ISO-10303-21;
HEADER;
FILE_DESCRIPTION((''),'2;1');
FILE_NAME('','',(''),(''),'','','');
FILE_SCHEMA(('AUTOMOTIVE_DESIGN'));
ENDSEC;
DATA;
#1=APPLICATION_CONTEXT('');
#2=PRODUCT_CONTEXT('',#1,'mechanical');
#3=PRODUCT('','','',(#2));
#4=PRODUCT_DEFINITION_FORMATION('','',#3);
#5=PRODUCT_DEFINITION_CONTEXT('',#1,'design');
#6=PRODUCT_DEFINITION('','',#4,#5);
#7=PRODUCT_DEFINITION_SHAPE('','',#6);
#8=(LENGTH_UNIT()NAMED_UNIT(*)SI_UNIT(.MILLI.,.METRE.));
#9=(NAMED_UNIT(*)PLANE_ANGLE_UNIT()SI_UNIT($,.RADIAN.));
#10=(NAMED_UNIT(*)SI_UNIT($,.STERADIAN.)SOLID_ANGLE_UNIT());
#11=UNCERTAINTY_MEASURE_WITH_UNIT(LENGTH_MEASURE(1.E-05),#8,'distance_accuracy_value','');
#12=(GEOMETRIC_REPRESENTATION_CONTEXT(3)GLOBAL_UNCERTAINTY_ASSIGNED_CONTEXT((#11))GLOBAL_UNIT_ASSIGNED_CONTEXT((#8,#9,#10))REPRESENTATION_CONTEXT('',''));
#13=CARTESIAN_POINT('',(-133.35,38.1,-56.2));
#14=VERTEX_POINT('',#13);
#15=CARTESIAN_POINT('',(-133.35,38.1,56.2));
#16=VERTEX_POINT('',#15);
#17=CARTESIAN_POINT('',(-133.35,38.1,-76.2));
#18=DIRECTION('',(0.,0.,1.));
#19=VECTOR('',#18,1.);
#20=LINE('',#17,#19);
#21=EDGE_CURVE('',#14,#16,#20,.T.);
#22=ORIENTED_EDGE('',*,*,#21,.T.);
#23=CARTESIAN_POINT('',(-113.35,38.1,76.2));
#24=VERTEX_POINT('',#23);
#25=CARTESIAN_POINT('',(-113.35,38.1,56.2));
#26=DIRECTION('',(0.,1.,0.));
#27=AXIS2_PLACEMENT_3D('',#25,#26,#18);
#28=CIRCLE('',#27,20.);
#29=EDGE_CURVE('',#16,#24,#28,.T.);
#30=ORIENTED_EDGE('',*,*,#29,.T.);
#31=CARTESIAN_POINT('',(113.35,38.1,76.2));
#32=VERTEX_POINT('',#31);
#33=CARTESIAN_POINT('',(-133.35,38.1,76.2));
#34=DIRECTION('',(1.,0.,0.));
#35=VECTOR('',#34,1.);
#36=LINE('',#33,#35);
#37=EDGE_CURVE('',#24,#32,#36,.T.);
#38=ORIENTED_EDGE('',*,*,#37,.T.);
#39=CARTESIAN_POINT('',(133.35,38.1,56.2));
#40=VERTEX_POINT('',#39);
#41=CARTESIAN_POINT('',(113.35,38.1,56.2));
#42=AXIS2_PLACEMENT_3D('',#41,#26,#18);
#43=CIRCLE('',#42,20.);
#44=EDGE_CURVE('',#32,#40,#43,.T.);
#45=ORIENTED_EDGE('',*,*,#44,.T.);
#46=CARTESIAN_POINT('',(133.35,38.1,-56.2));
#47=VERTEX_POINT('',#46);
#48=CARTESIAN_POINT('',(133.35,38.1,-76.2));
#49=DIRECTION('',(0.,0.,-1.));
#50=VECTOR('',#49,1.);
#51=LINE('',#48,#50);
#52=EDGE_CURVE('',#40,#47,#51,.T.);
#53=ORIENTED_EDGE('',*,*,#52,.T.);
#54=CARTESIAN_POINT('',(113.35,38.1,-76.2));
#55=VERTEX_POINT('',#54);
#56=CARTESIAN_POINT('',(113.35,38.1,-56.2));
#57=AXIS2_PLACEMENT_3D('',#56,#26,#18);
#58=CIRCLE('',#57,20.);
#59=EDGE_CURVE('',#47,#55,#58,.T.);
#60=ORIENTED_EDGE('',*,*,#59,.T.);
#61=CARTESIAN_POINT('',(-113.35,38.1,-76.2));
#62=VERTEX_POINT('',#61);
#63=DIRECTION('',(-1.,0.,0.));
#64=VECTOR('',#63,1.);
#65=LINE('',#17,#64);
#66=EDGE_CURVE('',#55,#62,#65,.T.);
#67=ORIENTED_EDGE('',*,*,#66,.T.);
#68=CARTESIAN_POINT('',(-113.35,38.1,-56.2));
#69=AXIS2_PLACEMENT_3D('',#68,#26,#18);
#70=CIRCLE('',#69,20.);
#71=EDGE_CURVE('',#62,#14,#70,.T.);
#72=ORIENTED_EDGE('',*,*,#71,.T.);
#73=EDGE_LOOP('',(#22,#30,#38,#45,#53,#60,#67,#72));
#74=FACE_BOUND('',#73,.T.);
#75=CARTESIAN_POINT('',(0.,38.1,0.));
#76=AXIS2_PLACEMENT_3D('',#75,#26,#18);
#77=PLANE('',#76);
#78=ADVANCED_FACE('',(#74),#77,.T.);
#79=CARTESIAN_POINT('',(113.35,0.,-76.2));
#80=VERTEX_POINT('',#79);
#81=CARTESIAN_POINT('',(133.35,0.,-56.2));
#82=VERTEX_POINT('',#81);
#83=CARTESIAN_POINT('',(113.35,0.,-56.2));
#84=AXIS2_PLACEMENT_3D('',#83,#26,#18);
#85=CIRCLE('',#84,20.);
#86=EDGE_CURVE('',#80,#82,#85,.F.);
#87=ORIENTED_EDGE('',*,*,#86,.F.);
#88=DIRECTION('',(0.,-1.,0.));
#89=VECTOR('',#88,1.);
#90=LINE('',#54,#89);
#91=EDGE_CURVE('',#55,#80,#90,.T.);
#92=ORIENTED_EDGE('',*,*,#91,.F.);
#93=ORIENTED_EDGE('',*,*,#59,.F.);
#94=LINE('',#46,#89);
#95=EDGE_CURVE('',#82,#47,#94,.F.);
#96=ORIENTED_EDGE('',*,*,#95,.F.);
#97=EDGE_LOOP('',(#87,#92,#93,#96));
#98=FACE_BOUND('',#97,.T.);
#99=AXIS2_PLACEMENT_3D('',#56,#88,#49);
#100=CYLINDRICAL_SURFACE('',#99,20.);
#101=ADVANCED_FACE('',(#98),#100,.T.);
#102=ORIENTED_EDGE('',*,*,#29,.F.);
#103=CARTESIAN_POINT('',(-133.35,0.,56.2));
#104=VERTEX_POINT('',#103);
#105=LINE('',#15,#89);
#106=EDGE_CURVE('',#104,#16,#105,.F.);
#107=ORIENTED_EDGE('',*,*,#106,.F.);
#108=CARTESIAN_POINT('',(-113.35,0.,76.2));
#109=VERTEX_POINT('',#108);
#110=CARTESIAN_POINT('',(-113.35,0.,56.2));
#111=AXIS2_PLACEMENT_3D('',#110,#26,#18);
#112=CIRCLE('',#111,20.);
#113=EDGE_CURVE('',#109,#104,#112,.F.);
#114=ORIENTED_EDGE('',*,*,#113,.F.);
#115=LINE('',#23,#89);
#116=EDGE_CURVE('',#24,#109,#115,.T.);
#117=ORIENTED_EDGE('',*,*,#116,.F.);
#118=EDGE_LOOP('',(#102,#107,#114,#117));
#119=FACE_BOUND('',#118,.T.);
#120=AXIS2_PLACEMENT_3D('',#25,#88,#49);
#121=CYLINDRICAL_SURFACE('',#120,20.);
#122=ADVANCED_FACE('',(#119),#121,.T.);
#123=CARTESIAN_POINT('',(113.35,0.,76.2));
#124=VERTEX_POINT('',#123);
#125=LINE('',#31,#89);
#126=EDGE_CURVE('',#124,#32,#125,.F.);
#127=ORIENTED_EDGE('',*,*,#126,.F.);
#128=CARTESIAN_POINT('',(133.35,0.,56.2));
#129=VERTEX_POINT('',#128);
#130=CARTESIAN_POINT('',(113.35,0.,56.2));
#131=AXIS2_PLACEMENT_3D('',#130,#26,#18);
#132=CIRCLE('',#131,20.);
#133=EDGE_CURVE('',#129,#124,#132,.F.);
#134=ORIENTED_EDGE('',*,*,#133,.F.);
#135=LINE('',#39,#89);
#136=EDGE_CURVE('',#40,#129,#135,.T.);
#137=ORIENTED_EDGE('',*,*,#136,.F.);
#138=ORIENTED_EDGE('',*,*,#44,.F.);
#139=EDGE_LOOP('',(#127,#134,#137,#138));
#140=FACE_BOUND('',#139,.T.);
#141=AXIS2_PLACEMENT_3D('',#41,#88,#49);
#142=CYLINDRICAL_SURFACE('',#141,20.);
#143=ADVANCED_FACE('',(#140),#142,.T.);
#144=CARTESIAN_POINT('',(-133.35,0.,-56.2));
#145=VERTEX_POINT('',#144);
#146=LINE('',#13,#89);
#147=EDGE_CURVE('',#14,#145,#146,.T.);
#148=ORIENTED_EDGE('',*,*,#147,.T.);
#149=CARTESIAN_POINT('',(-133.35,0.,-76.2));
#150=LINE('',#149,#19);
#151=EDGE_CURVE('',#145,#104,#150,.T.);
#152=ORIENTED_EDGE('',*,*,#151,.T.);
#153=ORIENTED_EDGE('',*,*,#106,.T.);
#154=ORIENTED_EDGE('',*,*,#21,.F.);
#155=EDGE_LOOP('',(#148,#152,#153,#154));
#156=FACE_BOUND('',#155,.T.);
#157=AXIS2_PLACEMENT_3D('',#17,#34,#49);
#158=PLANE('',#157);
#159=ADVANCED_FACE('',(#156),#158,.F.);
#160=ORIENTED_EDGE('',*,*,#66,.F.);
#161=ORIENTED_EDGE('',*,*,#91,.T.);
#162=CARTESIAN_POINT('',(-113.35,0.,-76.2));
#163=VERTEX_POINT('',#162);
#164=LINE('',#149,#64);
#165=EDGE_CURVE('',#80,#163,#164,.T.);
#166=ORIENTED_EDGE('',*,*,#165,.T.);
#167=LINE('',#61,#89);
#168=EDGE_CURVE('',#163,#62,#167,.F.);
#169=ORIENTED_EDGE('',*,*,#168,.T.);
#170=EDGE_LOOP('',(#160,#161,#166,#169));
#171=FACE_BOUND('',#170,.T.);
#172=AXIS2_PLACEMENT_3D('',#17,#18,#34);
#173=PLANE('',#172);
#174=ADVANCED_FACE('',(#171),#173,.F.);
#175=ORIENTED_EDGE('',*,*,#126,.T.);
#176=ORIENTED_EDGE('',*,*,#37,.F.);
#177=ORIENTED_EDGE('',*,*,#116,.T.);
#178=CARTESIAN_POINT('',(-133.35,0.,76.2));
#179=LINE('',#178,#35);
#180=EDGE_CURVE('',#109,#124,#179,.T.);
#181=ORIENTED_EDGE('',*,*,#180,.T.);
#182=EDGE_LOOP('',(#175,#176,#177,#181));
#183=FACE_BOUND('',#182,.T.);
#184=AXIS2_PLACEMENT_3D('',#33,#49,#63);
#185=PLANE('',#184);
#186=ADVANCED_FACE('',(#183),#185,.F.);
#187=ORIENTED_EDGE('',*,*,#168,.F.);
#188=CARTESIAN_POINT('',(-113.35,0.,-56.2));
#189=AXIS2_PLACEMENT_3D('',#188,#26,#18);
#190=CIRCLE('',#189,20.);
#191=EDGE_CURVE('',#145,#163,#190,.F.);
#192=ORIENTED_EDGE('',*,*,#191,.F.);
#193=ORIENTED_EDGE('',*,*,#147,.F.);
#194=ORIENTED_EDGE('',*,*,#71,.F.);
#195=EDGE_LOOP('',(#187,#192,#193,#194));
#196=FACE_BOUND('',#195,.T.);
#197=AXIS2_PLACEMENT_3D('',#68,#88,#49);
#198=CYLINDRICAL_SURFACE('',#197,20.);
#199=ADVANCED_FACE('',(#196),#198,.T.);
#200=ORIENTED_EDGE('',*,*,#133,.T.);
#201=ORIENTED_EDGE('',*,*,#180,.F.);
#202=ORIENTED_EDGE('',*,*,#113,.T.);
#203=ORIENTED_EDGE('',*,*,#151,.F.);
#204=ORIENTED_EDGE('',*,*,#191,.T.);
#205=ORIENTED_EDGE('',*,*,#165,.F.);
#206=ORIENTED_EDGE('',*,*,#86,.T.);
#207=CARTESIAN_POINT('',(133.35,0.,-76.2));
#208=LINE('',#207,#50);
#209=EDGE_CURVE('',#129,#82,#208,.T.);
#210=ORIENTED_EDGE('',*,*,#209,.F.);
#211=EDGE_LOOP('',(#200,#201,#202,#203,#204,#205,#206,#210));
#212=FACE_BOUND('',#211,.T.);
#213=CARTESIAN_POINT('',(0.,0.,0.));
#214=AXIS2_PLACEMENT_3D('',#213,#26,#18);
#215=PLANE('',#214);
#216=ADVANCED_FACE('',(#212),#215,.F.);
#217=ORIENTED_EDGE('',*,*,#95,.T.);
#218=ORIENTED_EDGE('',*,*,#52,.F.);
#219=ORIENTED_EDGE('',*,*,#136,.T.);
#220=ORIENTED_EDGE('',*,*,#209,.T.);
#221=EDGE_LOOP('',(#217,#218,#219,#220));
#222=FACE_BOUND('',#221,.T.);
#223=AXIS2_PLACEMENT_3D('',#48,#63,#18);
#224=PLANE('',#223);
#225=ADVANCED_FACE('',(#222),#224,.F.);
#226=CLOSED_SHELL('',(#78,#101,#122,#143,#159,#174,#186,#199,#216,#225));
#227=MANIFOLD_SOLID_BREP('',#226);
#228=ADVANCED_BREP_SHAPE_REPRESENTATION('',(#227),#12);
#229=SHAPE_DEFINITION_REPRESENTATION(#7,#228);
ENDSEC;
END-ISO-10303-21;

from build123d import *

# Parameters (mm, degrees)
SKETCH1_W           = 266.7
SKETCH1_H           = 152.4
BOSS_EXTRUDE1_DEPTH = 38.1
FILLET1_R           = 20


with BuildPart() as part:
    # Sketch1 → Boss-Extrude1 (new body)
    with BuildSketch(Plane(origin=(0, 0, 0), x_dir=(1, 0, 0), z_dir=(0, 1, 0))):
        Rectangle(SKETCH1_W, SKETCH1_H)
    extrude(amount=BOSS_EXTRUDE1_DEPTH)

    # Fillet1
    fillet1_edges = [part.edges().sort_by_distance(p)[0] for p in [
        (-133.35, 19.05, -76.2),
        (133.35, 19.05, -76.2),
        (133.35, 19.05, 76.2),
        (-133.35, 19.05, 76.2),
    ]]
    fillet(fillet1_edges, radius=FILLET1_R)


solid = part.part
